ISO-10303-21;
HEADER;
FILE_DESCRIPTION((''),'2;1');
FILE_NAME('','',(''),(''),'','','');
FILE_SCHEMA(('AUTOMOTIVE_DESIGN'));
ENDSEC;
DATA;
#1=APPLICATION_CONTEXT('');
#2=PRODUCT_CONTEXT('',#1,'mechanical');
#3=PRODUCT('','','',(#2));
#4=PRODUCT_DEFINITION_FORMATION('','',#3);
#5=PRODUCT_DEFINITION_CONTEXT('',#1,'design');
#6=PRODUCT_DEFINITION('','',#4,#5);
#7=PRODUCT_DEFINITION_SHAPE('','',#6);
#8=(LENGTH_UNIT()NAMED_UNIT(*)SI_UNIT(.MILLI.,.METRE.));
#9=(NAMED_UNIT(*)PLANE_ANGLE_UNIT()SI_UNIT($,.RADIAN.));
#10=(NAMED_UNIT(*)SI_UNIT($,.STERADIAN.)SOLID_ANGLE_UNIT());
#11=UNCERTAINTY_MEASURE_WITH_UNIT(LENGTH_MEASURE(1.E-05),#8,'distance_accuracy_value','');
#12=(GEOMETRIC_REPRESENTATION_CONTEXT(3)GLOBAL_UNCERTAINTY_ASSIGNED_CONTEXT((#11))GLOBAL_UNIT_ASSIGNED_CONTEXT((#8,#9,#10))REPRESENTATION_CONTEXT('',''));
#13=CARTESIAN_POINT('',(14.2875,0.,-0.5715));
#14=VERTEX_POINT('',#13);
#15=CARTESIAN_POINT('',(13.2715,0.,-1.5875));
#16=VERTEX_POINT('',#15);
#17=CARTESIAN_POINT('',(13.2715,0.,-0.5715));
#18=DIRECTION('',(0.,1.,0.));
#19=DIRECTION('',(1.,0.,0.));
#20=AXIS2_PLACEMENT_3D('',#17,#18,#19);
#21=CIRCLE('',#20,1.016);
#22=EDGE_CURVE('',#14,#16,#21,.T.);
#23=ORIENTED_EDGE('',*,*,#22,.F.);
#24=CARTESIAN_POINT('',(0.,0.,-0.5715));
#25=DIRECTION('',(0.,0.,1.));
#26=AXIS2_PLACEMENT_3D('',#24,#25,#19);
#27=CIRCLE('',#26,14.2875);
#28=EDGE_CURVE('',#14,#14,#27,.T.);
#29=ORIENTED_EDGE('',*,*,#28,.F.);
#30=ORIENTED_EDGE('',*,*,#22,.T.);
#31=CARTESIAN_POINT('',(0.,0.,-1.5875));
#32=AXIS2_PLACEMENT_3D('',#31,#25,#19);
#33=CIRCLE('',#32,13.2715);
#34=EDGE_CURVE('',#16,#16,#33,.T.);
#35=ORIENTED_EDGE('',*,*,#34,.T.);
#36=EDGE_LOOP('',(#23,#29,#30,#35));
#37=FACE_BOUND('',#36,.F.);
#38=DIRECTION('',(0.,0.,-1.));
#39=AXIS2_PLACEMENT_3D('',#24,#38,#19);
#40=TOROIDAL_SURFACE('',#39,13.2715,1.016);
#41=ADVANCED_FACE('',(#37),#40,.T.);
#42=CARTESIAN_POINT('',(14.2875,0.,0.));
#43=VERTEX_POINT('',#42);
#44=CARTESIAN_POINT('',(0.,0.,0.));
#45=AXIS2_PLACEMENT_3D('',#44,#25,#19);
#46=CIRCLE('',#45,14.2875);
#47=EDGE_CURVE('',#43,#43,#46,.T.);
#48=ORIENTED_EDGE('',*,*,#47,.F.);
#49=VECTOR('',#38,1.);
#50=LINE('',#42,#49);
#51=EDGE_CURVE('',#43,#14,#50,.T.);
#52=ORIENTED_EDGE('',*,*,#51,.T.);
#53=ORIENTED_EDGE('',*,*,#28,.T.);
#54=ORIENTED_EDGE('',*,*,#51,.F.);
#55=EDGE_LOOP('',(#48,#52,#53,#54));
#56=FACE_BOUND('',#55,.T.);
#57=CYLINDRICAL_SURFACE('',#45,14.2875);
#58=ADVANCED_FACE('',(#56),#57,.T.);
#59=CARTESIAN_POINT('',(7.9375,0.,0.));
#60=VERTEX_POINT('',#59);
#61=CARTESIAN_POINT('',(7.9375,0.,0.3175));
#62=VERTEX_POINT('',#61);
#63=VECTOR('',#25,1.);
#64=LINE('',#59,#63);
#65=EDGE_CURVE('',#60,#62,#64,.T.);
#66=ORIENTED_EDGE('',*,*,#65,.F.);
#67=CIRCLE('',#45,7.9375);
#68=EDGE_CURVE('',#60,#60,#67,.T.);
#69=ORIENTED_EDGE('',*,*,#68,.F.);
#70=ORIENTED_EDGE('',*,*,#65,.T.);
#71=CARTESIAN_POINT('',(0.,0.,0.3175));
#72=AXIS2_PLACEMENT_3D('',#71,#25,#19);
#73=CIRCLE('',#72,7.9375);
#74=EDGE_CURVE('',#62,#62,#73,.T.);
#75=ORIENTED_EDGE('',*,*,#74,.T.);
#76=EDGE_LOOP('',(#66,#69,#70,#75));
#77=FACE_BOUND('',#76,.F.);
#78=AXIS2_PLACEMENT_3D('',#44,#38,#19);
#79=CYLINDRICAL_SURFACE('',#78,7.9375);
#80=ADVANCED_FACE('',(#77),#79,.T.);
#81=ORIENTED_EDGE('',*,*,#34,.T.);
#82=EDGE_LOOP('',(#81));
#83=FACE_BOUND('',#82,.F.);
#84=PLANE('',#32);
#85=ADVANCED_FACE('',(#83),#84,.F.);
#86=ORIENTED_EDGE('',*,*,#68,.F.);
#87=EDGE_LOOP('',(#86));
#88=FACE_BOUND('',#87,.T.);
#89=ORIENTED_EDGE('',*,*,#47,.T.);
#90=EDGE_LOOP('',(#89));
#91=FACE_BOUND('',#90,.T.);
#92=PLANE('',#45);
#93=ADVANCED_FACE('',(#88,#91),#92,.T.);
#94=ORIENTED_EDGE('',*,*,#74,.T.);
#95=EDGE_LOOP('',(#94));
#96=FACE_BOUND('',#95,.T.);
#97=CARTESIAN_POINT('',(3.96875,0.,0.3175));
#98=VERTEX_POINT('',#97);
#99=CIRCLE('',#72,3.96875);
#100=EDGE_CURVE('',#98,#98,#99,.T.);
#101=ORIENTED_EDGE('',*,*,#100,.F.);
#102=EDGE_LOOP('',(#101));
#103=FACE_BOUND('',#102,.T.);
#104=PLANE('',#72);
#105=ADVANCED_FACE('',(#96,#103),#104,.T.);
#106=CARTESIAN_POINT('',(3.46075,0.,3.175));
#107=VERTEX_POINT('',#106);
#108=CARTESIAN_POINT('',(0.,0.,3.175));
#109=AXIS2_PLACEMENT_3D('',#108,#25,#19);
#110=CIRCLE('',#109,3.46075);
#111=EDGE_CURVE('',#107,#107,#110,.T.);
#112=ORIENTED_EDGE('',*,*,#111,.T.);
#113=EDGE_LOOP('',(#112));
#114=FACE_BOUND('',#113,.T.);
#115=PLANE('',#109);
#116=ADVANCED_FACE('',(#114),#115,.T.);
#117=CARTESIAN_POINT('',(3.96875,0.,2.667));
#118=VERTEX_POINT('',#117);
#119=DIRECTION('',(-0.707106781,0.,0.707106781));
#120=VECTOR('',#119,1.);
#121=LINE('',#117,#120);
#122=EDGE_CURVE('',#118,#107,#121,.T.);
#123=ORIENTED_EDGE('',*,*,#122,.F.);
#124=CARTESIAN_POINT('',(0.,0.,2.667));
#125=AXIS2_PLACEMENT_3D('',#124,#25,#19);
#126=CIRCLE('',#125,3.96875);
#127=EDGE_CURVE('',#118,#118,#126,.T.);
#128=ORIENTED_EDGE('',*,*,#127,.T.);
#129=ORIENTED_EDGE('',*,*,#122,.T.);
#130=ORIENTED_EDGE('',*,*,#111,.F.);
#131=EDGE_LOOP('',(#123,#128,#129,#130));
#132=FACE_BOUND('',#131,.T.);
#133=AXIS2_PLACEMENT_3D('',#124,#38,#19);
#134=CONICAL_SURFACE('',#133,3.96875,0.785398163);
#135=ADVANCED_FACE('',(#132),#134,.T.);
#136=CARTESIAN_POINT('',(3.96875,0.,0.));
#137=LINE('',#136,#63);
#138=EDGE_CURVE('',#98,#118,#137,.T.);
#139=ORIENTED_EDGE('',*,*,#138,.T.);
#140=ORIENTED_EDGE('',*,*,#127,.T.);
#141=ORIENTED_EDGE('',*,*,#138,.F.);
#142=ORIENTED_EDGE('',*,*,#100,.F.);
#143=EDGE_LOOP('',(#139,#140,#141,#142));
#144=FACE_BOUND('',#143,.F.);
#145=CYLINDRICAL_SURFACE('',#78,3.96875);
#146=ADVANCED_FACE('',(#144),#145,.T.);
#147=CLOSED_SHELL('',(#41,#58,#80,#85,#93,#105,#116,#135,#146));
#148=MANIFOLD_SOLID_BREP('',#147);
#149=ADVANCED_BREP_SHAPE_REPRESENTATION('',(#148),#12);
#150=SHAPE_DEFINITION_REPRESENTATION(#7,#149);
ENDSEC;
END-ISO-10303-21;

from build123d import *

# Parameters (mm, degrees)
F0_R     = 14.2875
F0_R_2   = 7.9375
F0_R_3   = 3.96875
F1_DEPTH = 1.5875
F2_DEPTH = 3.175
F3_R     = 1.016
F4_DEPTH = 0.3175
F5_SIZE  = 0.508


with BuildPart() as f1:
    # F0 (on Top) → F1 (new body)
    with BuildSketch(Plane.XY):
        Circle(F0_R)
        Circle(F0_R_2, mode=Mode.SUBTRACT)
        Circle(F0_R_2)
        Circle(F0_R_3, mode=Mode.SUBTRACT)
        Circle(F0_R_3)
    extrude(amount=-F1_DEPTH)

    # F0 (on Top) → F2 (join)
    with BuildSketch(Plane.XY):
        Circle(F0_R_3)
    extrude(amount=F2_DEPTH)

    # F3
    f3_edges = [f1.edges().sort_by_distance(p)[0] for p in [
        (-14.2875, 0, -1.5875),
    ]]
    fillet(f3_edges, radius=F3_R)

    # F0 (on Top) → F4 (join)
    with BuildSketch(Plane.XY):
        Circle(F0_R_2)
        Circle(F0_R_3, mode=Mode.SUBTRACT)
    extrude(amount=F4_DEPTH)

    # F5
    f5_edges = [f1.edges().sort_by_distance(p)[0] for p in [
        (-3.96875, 0, 3.175),
    ]]
    chamfer(f5_edges, length=F5_SIZE)


solid = f1.part
